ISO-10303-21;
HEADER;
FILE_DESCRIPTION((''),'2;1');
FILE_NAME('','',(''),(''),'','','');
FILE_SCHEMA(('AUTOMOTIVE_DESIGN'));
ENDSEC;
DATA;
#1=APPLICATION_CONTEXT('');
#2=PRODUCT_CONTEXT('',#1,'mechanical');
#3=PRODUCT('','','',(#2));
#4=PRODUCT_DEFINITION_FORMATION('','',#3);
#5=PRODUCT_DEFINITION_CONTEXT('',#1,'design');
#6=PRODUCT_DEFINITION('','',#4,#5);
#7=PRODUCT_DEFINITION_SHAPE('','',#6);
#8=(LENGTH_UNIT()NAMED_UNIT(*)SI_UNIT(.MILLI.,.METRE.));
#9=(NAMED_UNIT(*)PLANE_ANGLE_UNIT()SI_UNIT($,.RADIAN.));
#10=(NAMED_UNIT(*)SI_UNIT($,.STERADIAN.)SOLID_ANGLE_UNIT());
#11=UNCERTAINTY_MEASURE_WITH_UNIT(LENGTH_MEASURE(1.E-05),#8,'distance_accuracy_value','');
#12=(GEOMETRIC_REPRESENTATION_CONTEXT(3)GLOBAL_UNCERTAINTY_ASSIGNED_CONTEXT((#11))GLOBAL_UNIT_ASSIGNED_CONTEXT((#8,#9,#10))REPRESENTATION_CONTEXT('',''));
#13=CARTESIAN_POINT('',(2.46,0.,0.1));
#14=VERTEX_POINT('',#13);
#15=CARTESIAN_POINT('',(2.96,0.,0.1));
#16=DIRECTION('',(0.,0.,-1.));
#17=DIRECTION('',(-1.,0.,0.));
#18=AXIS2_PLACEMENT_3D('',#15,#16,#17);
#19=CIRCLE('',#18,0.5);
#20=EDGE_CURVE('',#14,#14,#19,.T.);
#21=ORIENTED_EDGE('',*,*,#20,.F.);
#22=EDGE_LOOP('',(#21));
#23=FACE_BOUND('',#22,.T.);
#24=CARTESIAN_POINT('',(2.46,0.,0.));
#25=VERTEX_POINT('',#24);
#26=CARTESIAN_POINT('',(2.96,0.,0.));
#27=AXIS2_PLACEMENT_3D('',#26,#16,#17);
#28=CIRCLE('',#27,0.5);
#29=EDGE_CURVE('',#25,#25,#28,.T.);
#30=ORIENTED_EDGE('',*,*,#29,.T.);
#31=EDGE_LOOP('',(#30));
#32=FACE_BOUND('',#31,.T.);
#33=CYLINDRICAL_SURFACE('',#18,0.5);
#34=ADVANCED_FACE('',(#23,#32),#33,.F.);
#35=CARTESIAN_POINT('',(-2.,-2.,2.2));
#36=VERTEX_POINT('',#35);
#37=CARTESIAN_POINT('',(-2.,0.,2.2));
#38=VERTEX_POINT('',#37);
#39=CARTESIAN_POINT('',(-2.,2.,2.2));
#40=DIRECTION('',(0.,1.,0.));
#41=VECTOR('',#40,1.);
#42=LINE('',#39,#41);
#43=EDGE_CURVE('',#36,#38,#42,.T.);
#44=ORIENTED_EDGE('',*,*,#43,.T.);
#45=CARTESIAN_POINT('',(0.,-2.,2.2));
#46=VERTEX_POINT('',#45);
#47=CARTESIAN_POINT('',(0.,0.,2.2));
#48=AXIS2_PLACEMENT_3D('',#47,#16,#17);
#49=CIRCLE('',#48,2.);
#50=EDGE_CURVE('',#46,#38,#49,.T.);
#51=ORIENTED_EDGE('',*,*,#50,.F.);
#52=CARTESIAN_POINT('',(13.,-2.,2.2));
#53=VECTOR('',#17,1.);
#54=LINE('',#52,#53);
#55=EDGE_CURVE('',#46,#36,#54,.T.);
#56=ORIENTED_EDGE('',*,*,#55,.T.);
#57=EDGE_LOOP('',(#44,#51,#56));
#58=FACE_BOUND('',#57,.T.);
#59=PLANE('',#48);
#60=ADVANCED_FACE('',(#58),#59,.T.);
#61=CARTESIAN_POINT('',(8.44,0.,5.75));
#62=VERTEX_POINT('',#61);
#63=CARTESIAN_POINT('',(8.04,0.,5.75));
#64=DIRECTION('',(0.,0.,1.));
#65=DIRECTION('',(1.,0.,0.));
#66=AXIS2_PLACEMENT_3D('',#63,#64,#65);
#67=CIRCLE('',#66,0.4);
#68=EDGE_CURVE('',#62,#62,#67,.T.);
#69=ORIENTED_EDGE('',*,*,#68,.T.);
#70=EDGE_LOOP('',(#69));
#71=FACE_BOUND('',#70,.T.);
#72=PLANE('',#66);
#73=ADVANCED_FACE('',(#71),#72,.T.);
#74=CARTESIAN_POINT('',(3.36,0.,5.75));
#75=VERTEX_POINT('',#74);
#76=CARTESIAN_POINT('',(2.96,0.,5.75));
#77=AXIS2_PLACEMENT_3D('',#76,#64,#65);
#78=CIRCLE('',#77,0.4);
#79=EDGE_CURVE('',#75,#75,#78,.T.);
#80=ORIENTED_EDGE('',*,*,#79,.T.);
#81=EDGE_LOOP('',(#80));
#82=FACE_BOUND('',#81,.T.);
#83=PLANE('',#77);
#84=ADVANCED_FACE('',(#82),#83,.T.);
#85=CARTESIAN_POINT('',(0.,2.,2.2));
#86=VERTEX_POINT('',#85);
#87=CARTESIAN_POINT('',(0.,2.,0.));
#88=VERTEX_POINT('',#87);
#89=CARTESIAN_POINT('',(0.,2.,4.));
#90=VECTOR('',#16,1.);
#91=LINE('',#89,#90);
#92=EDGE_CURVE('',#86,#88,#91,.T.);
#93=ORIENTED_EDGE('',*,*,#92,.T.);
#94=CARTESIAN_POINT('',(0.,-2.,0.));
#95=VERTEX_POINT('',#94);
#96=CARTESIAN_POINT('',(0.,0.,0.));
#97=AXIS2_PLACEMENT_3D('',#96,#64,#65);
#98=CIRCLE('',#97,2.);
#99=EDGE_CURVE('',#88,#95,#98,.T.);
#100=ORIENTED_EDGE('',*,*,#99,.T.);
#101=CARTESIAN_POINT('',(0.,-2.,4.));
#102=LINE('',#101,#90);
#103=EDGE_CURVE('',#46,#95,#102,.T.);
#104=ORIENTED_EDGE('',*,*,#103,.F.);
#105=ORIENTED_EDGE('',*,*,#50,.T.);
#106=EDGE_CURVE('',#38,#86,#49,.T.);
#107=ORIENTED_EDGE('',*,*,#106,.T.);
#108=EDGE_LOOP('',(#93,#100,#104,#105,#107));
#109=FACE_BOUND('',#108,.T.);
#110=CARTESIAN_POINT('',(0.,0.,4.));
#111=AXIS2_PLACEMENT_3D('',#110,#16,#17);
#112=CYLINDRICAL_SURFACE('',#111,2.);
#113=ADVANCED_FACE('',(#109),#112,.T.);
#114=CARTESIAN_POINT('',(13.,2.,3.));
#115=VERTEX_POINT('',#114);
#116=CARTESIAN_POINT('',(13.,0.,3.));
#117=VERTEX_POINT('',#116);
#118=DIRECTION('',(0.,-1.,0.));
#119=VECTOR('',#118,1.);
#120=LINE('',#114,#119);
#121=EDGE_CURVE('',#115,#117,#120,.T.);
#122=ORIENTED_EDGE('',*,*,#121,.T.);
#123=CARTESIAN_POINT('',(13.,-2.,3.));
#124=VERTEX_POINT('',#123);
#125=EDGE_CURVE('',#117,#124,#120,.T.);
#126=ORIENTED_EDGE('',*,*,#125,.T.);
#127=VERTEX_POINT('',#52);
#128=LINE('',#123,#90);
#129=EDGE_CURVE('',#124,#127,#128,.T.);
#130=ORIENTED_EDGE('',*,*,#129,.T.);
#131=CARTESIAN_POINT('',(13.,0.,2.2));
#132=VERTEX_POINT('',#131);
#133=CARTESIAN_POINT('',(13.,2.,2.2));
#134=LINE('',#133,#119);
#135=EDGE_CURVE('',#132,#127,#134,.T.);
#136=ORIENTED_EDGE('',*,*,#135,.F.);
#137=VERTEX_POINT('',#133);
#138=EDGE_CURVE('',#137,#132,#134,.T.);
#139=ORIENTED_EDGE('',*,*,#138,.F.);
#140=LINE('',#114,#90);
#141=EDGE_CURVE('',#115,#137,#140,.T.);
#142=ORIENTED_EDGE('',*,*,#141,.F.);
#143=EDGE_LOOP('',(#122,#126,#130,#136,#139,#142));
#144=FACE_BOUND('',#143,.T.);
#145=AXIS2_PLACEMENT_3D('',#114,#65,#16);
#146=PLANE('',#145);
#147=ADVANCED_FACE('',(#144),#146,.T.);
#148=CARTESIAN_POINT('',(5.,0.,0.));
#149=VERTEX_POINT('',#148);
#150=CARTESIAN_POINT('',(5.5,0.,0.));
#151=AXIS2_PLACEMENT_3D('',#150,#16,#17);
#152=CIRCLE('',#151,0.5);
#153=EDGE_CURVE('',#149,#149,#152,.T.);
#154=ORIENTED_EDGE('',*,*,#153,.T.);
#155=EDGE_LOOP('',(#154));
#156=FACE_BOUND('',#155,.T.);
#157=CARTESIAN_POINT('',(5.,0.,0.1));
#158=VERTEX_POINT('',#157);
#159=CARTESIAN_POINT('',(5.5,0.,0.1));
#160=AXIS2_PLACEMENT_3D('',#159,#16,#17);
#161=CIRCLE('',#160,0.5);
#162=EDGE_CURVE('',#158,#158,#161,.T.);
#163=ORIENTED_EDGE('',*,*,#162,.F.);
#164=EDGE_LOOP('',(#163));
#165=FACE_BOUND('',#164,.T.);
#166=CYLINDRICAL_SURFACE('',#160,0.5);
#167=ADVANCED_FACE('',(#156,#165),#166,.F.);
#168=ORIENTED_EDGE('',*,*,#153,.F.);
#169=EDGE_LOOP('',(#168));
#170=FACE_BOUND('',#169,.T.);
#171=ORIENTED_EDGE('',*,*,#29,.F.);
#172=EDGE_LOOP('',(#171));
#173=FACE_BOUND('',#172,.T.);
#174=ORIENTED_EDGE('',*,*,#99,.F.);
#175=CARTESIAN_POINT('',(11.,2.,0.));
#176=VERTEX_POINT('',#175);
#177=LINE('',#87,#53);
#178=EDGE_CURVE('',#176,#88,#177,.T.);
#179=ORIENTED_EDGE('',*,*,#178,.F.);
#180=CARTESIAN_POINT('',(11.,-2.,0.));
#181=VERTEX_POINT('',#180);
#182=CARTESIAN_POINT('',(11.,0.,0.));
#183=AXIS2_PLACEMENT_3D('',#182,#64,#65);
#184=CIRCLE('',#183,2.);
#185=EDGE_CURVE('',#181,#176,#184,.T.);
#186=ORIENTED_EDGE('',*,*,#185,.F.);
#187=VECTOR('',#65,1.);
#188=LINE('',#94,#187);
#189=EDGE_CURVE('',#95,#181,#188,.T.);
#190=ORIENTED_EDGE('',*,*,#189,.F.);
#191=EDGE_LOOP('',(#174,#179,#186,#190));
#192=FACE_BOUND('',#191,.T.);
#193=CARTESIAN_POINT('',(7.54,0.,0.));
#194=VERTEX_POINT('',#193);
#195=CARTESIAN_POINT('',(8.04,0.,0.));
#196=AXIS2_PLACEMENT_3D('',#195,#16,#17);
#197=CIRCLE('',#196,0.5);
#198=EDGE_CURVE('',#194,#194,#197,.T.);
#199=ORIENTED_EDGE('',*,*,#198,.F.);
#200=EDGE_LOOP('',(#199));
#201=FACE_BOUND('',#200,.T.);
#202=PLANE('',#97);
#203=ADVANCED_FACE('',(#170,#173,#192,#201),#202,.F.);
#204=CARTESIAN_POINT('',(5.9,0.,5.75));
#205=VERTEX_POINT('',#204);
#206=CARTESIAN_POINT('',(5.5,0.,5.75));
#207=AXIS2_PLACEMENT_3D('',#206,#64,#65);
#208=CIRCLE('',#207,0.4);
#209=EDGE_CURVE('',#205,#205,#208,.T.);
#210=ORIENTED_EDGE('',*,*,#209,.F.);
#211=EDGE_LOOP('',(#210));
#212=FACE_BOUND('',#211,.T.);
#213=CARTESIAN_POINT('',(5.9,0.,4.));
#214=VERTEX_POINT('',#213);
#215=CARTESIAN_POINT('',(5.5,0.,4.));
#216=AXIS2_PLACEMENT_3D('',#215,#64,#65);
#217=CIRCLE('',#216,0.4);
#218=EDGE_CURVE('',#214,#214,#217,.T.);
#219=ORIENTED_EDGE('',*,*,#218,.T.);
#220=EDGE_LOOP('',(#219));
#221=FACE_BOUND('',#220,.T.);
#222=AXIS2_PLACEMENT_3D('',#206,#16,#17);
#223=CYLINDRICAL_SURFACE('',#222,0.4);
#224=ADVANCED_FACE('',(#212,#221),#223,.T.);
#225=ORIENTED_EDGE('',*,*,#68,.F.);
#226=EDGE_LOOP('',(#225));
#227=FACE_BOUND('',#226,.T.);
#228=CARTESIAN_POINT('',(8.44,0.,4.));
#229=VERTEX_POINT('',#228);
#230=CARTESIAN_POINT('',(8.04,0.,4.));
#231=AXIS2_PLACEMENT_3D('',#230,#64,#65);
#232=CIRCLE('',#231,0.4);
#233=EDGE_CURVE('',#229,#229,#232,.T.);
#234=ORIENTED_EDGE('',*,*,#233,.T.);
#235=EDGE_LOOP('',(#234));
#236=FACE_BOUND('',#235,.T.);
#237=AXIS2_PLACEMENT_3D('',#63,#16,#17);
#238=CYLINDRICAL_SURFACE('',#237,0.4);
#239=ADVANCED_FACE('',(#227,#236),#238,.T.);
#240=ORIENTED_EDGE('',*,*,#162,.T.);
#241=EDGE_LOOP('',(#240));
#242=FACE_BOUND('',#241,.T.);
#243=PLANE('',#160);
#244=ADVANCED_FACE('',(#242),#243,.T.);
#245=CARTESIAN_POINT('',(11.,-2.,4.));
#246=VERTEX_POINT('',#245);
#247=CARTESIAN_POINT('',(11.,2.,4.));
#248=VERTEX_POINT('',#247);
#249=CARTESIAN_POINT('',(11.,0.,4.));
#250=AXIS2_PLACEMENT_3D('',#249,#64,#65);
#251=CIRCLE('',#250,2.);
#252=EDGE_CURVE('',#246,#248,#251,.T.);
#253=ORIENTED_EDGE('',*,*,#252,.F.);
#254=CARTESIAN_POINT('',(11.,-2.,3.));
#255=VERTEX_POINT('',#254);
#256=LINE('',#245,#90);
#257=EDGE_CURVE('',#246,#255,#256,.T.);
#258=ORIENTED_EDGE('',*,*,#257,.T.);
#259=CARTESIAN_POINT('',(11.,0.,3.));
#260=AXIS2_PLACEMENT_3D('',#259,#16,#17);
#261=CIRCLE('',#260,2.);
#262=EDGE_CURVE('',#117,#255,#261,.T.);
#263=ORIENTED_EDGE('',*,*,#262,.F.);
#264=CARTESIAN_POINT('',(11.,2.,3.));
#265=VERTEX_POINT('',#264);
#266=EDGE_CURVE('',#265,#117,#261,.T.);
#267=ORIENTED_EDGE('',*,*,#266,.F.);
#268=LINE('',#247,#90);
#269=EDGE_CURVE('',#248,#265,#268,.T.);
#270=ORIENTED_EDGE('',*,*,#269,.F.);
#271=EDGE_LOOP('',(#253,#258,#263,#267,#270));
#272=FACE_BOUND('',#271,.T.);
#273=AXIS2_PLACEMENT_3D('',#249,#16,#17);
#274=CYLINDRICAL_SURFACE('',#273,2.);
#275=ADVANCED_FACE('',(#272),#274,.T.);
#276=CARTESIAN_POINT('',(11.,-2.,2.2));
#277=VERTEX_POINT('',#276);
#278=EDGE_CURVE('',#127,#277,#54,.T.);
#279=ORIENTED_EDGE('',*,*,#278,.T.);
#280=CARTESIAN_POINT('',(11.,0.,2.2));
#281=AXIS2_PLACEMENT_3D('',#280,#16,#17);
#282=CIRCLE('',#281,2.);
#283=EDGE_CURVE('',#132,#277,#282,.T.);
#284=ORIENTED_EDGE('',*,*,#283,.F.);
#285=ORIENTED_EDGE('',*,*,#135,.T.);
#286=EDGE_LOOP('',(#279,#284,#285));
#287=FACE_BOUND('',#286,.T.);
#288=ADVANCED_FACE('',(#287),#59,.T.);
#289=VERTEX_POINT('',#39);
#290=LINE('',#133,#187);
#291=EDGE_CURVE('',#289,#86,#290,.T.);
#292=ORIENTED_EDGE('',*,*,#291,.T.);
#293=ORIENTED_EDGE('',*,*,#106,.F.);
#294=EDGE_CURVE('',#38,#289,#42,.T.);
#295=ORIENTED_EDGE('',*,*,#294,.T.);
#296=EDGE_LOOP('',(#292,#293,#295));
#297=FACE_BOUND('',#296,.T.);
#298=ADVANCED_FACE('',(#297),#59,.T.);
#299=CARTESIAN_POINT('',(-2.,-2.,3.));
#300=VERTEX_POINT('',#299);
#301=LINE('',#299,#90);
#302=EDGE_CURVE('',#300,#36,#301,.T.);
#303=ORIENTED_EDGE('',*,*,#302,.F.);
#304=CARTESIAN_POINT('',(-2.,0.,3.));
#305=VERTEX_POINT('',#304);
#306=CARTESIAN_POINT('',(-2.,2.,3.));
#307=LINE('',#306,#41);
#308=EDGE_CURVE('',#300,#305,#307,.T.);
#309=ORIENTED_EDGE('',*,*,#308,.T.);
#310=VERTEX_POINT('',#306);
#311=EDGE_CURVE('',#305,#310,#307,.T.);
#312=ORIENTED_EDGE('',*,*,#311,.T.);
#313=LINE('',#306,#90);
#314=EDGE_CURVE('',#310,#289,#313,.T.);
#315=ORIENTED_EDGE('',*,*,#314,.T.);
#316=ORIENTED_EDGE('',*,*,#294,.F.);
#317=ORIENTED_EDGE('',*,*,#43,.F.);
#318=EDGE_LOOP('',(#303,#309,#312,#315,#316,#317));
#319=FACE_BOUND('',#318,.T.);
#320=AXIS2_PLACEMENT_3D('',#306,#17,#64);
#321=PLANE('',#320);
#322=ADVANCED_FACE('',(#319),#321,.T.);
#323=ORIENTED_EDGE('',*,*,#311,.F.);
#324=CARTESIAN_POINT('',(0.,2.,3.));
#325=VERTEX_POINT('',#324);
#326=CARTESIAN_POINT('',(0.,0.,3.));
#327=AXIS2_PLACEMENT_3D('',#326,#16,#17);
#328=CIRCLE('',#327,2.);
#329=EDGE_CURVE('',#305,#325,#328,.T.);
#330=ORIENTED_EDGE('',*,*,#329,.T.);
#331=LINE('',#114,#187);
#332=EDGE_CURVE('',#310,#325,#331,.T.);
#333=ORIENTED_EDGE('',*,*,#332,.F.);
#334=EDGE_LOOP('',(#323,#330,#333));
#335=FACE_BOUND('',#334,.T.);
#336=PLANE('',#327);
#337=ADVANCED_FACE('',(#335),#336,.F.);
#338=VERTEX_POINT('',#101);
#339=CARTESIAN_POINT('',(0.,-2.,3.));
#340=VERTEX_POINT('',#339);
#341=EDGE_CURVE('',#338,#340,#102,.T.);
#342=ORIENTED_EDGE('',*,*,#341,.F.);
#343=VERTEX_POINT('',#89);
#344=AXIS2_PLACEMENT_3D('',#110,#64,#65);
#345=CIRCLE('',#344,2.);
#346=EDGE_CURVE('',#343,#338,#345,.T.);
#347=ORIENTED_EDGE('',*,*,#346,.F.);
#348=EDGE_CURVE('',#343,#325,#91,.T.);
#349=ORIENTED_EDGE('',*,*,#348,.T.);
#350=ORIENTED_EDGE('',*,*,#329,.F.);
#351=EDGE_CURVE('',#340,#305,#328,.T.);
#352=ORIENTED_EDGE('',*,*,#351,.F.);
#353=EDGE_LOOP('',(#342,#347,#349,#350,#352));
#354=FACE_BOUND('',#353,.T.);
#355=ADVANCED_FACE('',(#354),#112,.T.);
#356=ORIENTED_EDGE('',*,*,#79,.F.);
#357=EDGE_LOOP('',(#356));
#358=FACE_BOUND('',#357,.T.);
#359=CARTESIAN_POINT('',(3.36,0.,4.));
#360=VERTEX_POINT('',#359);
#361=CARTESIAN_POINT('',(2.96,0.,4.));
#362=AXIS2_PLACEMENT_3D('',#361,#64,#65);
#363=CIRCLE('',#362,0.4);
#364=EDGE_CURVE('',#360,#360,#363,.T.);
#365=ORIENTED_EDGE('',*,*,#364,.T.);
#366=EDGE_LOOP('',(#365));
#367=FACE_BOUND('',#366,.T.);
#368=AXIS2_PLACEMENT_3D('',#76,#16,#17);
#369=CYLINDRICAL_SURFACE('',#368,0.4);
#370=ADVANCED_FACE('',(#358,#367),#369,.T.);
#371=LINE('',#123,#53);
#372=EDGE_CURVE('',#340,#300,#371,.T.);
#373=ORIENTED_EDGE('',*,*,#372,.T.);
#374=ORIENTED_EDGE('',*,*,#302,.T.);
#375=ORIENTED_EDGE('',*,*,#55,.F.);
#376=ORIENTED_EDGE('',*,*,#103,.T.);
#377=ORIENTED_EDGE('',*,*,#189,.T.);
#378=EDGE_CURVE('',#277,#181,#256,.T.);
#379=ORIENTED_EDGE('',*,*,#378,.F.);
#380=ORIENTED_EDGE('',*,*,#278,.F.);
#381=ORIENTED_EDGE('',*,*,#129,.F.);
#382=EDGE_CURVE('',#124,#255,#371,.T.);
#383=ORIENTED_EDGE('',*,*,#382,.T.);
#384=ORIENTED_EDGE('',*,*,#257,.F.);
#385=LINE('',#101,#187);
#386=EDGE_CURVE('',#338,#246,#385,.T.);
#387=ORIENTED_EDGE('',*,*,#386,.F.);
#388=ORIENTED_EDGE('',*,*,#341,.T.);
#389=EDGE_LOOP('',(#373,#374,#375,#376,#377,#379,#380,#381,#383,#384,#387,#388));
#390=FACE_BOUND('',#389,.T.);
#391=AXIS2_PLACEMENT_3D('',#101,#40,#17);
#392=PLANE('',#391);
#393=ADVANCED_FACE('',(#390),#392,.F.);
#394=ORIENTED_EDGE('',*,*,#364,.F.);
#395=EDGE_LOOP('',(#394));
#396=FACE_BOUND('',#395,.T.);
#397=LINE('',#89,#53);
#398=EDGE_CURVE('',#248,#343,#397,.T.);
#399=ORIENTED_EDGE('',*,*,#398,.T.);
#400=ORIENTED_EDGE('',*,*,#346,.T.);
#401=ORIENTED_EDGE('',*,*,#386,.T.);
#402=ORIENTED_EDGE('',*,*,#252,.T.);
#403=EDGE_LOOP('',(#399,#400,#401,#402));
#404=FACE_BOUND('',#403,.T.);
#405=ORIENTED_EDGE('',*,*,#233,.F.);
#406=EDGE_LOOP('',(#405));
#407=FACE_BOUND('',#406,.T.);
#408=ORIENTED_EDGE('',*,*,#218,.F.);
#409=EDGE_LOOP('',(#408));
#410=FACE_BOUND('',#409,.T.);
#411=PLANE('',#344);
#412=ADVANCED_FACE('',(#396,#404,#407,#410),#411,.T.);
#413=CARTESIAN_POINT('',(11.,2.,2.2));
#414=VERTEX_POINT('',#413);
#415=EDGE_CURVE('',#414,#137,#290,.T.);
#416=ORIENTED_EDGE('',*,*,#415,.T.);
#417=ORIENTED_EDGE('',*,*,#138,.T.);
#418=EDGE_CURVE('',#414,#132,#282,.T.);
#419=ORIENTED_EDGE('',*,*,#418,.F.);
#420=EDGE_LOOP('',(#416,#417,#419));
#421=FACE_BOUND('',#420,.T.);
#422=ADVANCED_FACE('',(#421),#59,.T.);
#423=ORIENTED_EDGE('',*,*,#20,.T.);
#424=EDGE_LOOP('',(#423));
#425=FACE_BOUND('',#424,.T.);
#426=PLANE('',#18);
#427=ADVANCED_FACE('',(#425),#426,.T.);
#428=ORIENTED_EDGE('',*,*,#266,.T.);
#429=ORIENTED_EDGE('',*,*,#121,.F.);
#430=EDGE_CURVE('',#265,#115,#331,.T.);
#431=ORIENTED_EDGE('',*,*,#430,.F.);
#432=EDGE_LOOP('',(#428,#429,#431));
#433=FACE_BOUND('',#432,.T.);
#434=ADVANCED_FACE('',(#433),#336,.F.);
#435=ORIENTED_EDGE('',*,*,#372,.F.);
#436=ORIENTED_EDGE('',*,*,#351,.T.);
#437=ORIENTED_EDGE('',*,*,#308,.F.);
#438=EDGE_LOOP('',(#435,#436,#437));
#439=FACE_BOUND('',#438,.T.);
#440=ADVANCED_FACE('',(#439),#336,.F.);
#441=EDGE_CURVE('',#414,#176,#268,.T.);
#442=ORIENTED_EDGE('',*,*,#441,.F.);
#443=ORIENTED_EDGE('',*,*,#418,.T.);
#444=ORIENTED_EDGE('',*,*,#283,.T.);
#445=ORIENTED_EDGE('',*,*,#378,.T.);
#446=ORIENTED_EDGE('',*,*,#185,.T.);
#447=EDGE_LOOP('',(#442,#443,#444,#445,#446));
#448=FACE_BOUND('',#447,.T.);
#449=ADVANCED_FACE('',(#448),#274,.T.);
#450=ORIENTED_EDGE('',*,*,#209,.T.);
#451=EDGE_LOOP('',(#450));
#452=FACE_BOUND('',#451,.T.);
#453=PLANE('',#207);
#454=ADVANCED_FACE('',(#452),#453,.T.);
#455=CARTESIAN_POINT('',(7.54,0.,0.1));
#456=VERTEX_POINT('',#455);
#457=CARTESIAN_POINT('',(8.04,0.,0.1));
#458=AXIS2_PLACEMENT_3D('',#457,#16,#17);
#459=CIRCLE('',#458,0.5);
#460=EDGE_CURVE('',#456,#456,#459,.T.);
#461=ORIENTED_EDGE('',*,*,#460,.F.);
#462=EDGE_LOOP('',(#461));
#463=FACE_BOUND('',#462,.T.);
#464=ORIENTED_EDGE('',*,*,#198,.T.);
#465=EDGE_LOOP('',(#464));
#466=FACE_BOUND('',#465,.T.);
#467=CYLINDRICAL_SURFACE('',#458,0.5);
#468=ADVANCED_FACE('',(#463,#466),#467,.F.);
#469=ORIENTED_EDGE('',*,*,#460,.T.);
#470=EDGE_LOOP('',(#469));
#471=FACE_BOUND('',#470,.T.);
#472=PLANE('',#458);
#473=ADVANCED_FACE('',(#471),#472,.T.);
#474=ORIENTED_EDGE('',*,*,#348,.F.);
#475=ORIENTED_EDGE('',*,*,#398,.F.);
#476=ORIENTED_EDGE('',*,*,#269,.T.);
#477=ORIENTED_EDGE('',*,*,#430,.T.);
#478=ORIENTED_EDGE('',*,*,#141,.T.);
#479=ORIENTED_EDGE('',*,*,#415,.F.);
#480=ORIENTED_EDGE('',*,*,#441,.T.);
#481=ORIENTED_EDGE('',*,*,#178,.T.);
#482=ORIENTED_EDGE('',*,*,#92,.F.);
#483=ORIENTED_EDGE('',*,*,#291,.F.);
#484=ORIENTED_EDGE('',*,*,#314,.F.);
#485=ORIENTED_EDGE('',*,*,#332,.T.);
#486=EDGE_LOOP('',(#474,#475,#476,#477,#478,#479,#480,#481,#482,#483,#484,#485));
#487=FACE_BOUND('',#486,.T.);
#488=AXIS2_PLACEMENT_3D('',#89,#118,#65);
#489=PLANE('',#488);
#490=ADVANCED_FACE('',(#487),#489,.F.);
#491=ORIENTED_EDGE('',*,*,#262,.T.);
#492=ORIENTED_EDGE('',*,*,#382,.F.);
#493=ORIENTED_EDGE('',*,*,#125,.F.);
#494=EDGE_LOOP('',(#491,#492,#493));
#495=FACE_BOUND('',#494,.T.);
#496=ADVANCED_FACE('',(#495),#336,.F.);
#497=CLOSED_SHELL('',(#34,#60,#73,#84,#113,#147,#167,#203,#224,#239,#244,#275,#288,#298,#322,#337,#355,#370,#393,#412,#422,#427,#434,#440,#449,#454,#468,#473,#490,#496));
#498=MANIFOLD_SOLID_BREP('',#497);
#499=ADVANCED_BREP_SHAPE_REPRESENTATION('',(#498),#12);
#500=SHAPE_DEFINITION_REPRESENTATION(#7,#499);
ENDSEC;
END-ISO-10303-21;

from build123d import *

# Parameters (mm, degrees)
EXTRUDE_1_DEPTH     = 4
EXTRUDE_START       = -2.2
SKETCH_2_W          = 15
SKETCH_2_H          = 4
EXTRUDE_2_DEPTH     = 0.8
SKETCH_3_R          = 0.5
EXTRUDE_3_DEPTH     = 1
FILLET_1_R          = 0.5
SKETCH_4_R          = 0.4
EXTRUDE_4_DEPTH     = 1.75
CUT_EXTRUDE_START   = 1.75
CUT_EXTRUDE_1_DEPTH = 1.75
SKETCH_8_R          = 0.5
CUT_EXTRUDE_2_DEPTH = 0.1


with BuildPart() as part:
    # 草图1 → 凸台-拉伸1 (new body)
    with BuildSketch(Plane.XY):
        with BuildLine():
            Line((0, 2), (11, 2))
            ThreePointArc((11, 2), (13, 0), (11, -2))
            Line((11, -2), (0, -2))
            ThreePointArc((0, -2), (-2, 0), (0, 2))
        make_face()
    extrude(amount=EXTRUDE_1_DEPTH)

    # 草图2 → 凸台-拉伸2 (add)
    with BuildSketch(Plane(origin=(0, 0, 0), x_dir=(-1, 0, 0), z_dir=(0, 0, -1)).offset(EXTRUDE_START)):
        with Locations((-5.5, 0)):
            Rectangle(SKETCH_2_W, SKETCH_2_H)
    extrude(amount=-EXTRUDE_2_DEPTH)

    # 草图3 → 凸台-拉伸3 (add)
    with BuildSketch(Plane(origin=(0, 0, 0), x_dir=(-1, 0, 0), z_dir=(0, 0, -1))):
        with Locations(Location((-8.04, 0, 0), (0, 0, 180))):
            Circle(SKETCH_3_R)
        with Locations(Location((-5.5, 0, 0), (0, 0, 180))):
            Circle(SKETCH_3_R)
        with Locations(Location((-2.96, 0, 0), (0, 0, 180))):
            Circle(SKETCH_3_R)
    extrude(amount=EXTRUDE_3_DEPTH)

    # 圆角1
    fillet_1_edges = [part.edges().sort_by_distance(p)[0] for p in [
        (7.54, 0, -1),
        (5, 0, -1),
        (2.46, 0, -1),
    ]]
    fillet(fillet_1_edges, radius=FILLET_1_R)

    # 草图4 → 凸台-拉伸4 (add)
    with BuildSketch(Plane.XY.offset(4)):
        with Locations((2.96, 0)):
            Circle(SKETCH_4_R)
        with Locations((5.5, 0)):
            Circle(SKETCH_4_R)
        with Locations((8.04, 0)):
            Circle(SKETCH_4_R)
    extrude(amount=EXTRUDE_4_DEPTH)

    # 草图7 → 切除-拉伸1 (cut)
    with BuildSketch(Plane(origin=(0, 0, 0), x_dir=(-1, 0, 0), z_dir=(0, 0, -1)).offset(CUT_EXTRUDE_START)):
        with BuildLine():
            Line((0, 2), (-11, 2))
            ThreePointArc((-11, 2), (-13, 0), (-11, -2))
            Line((-11, -2), (0, -2))
            ThreePointArc((0, -2), (2, 0), (0, 2))
        make_face()
    extrude(amount=-CUT_EXTRUDE_1_DEPTH, mode=Mode.SUBTRACT)

    # 草图8 → 切除-拉伸2 (cut)
    with BuildSketch(Plane(origin=(0, 0, 0), x_dir=(-1, 0, 0), z_dir=(0, 0, -1))):
        with Locations((-8.04, 0)):
            Circle(SKETCH_8_R)
        with Locations((-5.5, 0)):
            Circle(SKETCH_8_R)
        with Locations((-2.96, 0)):
            Circle(SKETCH_8_R)
    extrude(amount=-CUT_EXTRUDE_2_DEPTH, mode=Mode.SUBTRACT)


solid = part.part
